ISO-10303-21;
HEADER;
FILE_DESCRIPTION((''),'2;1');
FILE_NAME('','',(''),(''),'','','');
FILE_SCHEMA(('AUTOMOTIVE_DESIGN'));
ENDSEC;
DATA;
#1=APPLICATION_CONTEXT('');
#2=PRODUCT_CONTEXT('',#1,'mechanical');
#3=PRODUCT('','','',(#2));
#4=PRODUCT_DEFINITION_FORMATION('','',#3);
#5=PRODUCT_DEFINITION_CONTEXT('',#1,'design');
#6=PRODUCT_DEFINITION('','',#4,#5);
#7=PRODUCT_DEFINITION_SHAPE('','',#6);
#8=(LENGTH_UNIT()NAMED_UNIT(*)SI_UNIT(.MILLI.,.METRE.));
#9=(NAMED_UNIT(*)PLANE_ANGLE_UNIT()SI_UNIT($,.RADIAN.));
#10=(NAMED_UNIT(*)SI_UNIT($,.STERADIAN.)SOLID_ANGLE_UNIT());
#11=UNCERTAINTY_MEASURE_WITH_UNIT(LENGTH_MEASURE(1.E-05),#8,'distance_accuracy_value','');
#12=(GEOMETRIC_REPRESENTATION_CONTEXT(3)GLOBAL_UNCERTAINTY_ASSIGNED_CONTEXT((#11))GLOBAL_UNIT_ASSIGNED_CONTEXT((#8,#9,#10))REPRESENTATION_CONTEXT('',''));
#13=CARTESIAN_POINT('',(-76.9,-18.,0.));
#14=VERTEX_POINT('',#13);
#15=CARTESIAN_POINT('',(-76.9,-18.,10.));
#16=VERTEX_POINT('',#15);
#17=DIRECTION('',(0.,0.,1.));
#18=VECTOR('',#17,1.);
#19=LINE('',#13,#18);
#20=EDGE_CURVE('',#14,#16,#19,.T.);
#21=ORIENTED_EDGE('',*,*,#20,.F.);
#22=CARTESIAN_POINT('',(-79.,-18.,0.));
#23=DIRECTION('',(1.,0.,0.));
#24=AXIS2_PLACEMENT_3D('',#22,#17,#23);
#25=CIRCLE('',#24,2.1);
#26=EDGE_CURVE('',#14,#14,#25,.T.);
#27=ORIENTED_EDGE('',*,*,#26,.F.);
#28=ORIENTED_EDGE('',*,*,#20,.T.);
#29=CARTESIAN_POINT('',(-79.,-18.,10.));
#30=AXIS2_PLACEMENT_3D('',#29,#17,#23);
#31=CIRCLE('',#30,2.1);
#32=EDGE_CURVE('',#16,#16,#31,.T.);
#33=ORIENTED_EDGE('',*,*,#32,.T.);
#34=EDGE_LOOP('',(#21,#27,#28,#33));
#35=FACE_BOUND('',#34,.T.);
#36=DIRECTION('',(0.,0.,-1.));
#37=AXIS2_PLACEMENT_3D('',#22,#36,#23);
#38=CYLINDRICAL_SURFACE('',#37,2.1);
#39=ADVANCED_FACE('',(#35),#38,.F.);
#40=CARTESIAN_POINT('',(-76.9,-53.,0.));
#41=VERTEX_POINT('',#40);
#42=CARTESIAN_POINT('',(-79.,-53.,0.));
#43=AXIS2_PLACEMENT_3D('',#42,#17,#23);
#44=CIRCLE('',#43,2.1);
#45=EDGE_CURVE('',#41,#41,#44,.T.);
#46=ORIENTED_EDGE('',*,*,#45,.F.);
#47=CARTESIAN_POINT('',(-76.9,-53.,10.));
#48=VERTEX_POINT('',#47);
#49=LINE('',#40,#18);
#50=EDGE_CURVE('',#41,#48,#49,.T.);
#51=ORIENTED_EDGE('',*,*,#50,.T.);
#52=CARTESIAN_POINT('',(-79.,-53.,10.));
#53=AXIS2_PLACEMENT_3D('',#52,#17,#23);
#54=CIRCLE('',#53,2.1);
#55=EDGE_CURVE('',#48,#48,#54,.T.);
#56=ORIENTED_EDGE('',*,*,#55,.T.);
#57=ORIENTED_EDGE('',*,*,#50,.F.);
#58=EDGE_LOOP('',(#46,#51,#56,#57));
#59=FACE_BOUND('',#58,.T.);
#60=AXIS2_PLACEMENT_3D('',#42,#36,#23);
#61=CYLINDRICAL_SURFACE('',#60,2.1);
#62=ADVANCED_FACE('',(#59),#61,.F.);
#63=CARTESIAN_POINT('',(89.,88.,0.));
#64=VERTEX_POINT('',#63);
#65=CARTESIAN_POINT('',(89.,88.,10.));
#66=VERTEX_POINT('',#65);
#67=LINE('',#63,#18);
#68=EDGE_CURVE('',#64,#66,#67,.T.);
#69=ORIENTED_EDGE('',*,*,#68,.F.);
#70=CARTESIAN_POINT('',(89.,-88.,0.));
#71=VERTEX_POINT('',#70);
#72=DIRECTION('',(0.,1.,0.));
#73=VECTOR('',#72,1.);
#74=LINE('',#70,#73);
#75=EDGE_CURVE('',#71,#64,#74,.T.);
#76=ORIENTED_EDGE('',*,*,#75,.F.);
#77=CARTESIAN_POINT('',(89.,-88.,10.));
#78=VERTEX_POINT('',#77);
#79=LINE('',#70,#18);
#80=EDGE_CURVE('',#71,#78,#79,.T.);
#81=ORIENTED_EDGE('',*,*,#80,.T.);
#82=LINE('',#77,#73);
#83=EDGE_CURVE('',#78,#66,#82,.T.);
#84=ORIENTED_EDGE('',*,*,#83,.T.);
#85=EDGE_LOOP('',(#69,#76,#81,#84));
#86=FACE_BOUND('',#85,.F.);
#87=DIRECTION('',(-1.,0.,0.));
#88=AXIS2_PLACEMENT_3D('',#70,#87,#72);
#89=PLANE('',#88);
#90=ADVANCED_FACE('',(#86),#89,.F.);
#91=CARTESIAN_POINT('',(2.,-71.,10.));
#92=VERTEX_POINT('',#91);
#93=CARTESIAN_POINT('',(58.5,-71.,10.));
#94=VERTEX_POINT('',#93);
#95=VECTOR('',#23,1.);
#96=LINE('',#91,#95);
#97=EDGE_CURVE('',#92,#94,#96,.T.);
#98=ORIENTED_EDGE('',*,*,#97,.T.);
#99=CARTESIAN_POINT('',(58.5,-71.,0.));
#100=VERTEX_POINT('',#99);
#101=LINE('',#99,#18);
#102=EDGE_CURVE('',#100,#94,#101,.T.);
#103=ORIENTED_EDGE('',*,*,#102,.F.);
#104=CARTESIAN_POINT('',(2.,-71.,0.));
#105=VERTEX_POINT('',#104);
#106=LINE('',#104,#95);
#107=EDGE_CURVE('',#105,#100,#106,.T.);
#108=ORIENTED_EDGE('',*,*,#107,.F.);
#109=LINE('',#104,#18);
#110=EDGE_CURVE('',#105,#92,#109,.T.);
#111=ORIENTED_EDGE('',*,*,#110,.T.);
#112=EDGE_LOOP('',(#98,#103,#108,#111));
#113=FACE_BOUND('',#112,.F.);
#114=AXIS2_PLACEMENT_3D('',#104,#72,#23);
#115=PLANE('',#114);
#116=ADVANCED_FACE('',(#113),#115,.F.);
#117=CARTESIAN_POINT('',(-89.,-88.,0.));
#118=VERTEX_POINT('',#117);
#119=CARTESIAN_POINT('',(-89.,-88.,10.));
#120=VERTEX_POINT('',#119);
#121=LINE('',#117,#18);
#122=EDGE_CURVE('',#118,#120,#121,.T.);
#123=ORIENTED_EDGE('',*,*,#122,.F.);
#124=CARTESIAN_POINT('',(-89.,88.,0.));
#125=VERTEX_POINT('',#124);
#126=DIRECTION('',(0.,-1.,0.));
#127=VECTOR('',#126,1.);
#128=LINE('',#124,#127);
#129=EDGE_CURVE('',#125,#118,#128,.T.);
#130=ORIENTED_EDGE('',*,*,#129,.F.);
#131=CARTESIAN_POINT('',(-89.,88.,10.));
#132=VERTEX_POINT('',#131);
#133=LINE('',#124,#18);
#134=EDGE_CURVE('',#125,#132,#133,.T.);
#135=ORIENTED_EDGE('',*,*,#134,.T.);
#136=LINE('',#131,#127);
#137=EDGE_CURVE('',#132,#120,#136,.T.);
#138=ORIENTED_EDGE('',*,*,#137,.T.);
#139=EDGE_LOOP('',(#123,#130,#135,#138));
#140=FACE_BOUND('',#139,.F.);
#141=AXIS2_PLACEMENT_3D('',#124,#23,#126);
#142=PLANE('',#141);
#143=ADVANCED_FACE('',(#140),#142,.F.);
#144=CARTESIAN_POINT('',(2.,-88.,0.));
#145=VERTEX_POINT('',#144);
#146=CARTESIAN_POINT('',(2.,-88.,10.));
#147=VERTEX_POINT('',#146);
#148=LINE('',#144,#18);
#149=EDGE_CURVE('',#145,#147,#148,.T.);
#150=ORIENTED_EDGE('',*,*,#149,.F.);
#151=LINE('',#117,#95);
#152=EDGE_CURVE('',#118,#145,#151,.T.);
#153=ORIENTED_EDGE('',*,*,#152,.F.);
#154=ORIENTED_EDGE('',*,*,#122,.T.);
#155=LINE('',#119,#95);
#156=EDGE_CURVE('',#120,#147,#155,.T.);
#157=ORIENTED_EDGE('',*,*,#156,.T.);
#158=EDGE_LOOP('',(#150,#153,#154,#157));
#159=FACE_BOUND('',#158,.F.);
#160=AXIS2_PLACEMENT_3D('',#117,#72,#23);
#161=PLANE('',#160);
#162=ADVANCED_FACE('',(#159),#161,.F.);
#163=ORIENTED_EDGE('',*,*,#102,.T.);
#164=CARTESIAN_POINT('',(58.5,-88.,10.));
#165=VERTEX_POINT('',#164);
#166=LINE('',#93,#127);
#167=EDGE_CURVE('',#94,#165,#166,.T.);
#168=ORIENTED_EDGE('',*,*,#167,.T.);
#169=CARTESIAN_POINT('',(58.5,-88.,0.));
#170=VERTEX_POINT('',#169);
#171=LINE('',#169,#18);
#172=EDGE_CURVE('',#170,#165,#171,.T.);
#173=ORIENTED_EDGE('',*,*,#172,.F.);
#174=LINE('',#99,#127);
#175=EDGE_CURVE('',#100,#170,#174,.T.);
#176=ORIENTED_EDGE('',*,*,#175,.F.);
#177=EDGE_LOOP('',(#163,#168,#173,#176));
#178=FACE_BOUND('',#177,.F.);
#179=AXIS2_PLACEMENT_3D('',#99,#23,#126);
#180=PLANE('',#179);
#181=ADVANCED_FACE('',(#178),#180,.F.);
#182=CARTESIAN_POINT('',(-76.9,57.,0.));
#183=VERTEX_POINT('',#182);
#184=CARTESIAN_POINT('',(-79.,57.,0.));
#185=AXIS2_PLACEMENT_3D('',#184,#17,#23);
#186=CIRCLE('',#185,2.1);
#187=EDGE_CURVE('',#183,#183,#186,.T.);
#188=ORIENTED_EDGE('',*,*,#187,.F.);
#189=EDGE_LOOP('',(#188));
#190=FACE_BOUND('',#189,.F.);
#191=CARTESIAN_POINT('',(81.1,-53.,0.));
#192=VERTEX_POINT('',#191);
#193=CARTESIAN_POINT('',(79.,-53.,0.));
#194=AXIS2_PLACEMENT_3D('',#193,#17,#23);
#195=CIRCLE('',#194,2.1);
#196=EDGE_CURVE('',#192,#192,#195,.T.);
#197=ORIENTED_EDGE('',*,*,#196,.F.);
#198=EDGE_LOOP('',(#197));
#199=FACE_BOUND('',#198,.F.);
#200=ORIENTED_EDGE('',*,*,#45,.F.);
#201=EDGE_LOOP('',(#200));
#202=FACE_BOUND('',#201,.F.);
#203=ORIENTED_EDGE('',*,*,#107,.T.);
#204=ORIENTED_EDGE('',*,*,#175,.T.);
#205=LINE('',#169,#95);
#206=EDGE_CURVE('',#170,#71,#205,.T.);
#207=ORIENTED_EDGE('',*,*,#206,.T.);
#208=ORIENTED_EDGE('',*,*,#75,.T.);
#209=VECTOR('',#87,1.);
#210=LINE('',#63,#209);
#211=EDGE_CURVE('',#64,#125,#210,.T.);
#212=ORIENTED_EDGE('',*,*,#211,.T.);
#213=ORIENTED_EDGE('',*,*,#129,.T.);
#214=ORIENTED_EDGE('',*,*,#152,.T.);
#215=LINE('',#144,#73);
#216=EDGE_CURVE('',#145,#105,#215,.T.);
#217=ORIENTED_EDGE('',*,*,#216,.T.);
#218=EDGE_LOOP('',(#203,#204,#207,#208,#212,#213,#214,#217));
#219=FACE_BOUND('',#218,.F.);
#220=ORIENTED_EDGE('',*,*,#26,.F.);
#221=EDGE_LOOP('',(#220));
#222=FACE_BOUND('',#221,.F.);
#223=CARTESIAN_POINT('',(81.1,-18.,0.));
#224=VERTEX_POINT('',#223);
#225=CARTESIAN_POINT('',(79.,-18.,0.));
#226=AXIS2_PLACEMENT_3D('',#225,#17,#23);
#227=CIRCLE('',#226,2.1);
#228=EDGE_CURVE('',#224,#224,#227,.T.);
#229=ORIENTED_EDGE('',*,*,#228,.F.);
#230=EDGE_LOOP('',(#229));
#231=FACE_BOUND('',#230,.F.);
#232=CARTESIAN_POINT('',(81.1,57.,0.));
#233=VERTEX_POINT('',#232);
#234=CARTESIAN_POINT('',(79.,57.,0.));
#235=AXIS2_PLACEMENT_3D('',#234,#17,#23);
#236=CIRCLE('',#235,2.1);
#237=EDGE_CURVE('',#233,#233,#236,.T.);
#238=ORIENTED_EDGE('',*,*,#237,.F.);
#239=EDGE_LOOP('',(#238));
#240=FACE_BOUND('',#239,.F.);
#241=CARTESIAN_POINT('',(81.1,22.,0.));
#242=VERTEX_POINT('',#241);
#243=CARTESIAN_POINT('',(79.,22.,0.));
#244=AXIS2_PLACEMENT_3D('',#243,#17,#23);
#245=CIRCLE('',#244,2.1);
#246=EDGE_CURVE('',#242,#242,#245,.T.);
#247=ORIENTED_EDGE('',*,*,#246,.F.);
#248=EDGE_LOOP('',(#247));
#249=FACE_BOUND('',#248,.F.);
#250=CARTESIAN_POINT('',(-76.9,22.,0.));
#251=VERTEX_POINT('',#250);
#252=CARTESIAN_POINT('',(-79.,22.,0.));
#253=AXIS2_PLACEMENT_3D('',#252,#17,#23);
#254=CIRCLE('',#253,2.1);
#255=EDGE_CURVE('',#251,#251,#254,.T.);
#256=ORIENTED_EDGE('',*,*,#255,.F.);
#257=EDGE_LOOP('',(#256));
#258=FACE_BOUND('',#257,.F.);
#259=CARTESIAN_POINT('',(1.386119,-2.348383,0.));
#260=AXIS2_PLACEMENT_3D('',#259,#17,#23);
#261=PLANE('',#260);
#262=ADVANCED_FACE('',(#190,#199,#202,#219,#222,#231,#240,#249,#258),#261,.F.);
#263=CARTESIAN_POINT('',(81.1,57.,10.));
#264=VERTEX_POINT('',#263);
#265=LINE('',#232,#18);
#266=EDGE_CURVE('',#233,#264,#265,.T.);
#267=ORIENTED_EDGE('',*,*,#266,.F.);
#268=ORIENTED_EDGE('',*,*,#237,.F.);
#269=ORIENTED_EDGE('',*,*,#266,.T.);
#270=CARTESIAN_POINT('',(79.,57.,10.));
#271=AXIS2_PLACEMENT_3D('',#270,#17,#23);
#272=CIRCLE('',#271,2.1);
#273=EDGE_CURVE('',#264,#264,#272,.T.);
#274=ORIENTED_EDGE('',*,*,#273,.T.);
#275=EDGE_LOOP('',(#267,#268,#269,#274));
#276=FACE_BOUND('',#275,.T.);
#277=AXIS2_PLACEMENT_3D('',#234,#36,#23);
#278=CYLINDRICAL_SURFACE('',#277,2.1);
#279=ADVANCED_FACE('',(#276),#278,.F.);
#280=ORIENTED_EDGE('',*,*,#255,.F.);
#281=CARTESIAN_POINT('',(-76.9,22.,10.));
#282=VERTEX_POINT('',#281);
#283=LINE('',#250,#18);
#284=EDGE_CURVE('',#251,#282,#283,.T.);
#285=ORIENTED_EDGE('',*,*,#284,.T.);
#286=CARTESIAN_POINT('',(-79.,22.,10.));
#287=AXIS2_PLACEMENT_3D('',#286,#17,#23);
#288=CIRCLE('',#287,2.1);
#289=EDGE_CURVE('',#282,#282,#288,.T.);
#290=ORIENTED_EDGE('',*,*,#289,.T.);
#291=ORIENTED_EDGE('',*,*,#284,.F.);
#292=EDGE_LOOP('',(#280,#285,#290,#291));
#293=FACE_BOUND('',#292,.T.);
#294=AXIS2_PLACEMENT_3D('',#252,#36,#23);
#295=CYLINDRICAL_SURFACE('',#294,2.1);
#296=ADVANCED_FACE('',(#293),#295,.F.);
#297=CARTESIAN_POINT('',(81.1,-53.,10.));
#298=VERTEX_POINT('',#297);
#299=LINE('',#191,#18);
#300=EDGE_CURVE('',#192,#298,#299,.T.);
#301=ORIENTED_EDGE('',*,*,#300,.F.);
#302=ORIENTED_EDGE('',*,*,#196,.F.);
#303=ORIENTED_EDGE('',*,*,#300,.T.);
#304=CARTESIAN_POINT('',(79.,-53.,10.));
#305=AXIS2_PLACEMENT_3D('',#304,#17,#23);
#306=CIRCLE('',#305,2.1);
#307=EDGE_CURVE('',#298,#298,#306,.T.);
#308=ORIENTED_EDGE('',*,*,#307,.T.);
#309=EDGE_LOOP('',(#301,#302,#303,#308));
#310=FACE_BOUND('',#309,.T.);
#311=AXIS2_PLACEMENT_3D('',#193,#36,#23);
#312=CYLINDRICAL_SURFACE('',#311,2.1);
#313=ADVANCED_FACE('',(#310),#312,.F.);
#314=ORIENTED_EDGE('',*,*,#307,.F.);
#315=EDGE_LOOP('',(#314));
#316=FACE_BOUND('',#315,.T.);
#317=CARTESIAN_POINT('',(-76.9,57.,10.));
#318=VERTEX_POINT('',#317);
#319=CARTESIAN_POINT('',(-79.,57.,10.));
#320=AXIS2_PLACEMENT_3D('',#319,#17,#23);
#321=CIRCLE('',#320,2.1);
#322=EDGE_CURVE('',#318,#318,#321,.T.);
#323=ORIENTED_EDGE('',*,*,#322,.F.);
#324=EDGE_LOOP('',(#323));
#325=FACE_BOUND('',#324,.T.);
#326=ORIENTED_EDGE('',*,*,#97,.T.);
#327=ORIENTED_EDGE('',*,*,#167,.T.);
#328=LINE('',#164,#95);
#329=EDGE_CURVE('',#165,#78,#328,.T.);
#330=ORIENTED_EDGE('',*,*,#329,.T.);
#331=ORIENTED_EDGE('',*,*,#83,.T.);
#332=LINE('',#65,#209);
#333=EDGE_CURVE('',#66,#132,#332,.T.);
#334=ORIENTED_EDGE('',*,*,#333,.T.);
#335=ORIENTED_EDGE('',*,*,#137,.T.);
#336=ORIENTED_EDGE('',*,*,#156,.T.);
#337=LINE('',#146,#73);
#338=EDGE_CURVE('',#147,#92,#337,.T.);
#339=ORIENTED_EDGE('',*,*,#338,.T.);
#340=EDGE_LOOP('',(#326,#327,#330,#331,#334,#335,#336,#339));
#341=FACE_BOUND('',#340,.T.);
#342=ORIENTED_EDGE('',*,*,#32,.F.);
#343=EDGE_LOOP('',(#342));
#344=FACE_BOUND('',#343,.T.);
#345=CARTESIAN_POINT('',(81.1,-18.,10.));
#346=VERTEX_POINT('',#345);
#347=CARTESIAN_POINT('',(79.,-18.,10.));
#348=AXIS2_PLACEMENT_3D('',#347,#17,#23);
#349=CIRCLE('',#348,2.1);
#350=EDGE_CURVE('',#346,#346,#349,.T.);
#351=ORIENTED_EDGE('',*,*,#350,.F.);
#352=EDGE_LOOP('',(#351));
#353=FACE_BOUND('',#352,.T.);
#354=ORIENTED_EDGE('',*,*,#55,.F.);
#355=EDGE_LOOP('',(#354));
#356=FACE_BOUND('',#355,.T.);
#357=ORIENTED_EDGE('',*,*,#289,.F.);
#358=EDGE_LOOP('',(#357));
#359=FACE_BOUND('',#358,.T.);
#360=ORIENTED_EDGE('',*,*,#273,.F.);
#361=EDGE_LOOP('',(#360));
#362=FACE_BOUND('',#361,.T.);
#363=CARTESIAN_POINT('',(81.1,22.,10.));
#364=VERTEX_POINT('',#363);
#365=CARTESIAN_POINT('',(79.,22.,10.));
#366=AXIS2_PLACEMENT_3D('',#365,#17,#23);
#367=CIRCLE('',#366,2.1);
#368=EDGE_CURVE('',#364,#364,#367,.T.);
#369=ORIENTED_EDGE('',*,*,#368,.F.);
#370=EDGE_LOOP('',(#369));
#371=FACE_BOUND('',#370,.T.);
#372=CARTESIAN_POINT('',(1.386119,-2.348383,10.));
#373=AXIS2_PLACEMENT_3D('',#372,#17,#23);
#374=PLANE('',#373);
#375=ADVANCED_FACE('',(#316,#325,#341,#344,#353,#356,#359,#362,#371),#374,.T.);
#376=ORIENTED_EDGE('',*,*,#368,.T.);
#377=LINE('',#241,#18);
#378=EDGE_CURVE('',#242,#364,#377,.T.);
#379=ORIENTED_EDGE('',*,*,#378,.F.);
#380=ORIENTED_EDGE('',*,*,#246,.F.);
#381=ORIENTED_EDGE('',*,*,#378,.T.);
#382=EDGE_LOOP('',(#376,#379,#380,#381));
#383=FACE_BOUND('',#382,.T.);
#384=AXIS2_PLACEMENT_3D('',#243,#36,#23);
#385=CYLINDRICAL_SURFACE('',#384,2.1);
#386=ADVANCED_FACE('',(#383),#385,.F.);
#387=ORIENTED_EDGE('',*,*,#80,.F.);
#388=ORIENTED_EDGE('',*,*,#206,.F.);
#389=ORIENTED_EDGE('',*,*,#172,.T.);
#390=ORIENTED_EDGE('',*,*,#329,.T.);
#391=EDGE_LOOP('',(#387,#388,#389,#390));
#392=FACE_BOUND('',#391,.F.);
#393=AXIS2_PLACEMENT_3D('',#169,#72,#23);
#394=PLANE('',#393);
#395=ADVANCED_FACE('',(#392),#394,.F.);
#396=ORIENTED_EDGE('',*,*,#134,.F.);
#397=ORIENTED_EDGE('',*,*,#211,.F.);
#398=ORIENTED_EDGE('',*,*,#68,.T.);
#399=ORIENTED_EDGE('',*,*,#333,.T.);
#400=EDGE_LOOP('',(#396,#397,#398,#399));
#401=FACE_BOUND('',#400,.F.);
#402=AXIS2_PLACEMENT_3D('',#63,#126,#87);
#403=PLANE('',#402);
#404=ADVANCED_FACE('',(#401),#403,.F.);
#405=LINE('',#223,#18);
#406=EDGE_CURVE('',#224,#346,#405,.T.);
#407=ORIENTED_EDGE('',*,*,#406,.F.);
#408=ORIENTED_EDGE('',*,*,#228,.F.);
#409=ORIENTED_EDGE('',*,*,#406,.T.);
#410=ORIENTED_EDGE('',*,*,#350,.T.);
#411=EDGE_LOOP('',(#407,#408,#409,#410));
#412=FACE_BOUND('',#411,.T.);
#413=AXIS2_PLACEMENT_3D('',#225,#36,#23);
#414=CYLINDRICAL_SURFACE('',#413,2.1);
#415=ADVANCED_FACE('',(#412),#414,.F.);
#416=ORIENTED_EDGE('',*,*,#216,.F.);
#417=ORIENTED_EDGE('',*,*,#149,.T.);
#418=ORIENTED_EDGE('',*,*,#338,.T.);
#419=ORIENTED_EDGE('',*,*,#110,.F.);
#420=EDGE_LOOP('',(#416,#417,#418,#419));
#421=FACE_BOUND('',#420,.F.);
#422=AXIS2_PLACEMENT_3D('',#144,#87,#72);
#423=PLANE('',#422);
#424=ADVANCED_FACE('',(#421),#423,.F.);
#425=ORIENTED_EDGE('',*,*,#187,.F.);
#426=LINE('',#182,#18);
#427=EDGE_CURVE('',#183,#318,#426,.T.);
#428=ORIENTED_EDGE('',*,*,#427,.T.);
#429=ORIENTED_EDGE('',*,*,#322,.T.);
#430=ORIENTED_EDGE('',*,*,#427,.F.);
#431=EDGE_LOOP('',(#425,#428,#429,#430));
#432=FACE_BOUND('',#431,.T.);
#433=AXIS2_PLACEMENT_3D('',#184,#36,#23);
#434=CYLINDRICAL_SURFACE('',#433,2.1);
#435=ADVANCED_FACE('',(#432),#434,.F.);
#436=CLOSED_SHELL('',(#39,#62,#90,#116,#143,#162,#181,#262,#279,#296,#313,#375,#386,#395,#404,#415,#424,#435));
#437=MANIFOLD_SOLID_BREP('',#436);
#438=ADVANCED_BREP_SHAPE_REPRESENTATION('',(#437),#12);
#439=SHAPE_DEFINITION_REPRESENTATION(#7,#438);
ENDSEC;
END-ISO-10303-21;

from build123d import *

# Parameters (mm, degrees)
F0_R     = 2.1
F1_DEPTH = 10


with BuildPart() as f1:
    # F0 (on Top) → F1 (new body)
    with BuildSketch(Plane.XY):
        Polygon((89, -88), (89, 88), (-89, 88), (-89, -88), (2, -88), (2, -71), (58.5, -71), (58.5, -88), align=None)
        with Locations((-79, -53)):
            Circle(F0_R, mode=Mode.SUBTRACT)
        with Locations((-79, -18)):
            Circle(F0_R, mode=Mode.SUBTRACT)
        with Locations((79, -53)):
            Circle(F0_R, mode=Mode.SUBTRACT)
        with Locations((79, -18)):
            Circle(F0_R, mode=Mode.SUBTRACT)
        with Locations((-79, 22)):
            Circle(F0_R, mode=Mode.SUBTRACT)
        with Locations((-79, 57)):
            Circle(F0_R, mode=Mode.SUBTRACT)
        with Locations((79, 22)):
            Circle(F0_R, mode=Mode.SUBTRACT)
        with Locations((79, 57)):
            Circle(F0_R, mode=Mode.SUBTRACT)
    extrude(amount=F1_DEPTH)


solid = f1.part
